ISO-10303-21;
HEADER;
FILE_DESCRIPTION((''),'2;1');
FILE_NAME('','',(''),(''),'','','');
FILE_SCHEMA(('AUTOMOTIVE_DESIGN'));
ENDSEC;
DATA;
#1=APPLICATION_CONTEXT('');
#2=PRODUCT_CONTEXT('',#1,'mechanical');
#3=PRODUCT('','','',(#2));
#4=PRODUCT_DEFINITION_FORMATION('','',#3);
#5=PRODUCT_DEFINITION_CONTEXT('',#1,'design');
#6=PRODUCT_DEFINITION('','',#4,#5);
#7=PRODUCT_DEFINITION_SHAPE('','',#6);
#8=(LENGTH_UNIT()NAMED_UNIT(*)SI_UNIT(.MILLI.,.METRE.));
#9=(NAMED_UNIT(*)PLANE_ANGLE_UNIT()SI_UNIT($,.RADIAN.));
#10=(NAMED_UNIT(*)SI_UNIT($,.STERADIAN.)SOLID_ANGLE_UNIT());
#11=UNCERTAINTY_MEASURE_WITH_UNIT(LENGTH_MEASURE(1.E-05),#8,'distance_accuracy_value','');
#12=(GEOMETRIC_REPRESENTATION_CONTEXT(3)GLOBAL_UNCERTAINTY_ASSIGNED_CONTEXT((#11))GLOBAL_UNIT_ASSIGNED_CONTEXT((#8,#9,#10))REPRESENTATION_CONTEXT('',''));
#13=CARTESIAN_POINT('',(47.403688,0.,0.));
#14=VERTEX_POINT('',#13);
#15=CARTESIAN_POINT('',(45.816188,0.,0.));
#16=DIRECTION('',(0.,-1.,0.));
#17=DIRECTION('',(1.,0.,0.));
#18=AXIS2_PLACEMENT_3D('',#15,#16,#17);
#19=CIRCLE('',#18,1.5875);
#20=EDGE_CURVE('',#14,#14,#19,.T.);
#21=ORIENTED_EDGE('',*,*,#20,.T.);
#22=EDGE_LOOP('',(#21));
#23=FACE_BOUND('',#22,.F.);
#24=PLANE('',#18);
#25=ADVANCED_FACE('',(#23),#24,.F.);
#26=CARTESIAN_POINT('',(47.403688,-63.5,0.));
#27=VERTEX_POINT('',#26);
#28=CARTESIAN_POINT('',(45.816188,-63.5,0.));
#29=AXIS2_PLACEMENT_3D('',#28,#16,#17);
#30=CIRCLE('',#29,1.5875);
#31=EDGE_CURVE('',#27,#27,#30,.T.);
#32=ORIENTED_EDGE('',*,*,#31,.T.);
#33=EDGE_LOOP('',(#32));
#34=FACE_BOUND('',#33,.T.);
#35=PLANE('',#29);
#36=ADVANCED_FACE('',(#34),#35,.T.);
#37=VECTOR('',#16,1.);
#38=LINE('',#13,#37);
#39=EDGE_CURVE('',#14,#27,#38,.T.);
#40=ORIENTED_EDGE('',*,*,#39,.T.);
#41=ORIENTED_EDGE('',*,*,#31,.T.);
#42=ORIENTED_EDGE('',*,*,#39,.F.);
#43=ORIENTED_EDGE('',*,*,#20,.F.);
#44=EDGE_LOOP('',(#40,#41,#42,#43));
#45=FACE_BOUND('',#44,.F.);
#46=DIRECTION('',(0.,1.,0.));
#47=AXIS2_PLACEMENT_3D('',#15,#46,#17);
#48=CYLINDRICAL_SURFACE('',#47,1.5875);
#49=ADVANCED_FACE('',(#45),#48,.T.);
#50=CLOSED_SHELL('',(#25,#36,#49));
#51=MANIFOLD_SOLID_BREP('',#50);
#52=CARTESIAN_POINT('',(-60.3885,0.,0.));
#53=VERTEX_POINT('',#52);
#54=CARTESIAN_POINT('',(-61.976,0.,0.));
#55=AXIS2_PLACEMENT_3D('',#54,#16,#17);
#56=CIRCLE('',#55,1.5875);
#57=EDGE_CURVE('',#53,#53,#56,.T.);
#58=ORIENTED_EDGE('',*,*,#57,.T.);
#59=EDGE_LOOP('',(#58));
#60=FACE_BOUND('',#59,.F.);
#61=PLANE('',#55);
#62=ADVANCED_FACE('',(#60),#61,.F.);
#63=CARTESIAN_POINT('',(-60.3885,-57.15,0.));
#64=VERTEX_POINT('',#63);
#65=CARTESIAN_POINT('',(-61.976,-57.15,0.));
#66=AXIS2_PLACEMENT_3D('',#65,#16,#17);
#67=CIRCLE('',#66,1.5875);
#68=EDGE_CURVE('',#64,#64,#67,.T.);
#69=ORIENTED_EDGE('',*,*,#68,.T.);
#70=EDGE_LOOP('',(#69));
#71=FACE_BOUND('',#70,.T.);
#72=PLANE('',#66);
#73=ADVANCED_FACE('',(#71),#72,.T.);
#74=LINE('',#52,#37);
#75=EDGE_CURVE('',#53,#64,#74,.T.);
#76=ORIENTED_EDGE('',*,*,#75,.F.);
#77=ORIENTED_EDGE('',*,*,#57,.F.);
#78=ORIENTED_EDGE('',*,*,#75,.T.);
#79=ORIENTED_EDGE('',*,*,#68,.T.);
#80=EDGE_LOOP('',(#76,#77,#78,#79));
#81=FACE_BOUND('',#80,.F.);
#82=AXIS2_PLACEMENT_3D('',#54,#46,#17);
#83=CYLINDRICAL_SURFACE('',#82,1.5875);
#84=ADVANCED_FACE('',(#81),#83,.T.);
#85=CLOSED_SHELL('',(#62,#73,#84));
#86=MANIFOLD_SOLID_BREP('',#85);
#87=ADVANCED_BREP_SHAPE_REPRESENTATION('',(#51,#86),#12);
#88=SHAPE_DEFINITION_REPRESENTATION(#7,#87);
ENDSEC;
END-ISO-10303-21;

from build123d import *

# Parameters (mm, degrees)
F0_R     = 1.5875
F2_DEPTH = 57.15
F1_R     = 1.5875
F3_DEPTH = 63.5


with BuildPart() as f2:
    # F0 (on Front) → F2 (new body)
    with BuildSketch(Plane.XZ):
        with Locations((-61.976, 0)):
            Circle(F0_R)
    extrude(amount=F2_DEPTH)


with BuildPart() as f3:
    # F1 (on Front) → F3 (new body)
    with BuildSketch(Plane.XZ):
        with Locations((45.816188, 0)):
            Circle(F1_R)
    extrude(amount=F3_DEPTH)


solid = Compound([f2.part, f3.part])
